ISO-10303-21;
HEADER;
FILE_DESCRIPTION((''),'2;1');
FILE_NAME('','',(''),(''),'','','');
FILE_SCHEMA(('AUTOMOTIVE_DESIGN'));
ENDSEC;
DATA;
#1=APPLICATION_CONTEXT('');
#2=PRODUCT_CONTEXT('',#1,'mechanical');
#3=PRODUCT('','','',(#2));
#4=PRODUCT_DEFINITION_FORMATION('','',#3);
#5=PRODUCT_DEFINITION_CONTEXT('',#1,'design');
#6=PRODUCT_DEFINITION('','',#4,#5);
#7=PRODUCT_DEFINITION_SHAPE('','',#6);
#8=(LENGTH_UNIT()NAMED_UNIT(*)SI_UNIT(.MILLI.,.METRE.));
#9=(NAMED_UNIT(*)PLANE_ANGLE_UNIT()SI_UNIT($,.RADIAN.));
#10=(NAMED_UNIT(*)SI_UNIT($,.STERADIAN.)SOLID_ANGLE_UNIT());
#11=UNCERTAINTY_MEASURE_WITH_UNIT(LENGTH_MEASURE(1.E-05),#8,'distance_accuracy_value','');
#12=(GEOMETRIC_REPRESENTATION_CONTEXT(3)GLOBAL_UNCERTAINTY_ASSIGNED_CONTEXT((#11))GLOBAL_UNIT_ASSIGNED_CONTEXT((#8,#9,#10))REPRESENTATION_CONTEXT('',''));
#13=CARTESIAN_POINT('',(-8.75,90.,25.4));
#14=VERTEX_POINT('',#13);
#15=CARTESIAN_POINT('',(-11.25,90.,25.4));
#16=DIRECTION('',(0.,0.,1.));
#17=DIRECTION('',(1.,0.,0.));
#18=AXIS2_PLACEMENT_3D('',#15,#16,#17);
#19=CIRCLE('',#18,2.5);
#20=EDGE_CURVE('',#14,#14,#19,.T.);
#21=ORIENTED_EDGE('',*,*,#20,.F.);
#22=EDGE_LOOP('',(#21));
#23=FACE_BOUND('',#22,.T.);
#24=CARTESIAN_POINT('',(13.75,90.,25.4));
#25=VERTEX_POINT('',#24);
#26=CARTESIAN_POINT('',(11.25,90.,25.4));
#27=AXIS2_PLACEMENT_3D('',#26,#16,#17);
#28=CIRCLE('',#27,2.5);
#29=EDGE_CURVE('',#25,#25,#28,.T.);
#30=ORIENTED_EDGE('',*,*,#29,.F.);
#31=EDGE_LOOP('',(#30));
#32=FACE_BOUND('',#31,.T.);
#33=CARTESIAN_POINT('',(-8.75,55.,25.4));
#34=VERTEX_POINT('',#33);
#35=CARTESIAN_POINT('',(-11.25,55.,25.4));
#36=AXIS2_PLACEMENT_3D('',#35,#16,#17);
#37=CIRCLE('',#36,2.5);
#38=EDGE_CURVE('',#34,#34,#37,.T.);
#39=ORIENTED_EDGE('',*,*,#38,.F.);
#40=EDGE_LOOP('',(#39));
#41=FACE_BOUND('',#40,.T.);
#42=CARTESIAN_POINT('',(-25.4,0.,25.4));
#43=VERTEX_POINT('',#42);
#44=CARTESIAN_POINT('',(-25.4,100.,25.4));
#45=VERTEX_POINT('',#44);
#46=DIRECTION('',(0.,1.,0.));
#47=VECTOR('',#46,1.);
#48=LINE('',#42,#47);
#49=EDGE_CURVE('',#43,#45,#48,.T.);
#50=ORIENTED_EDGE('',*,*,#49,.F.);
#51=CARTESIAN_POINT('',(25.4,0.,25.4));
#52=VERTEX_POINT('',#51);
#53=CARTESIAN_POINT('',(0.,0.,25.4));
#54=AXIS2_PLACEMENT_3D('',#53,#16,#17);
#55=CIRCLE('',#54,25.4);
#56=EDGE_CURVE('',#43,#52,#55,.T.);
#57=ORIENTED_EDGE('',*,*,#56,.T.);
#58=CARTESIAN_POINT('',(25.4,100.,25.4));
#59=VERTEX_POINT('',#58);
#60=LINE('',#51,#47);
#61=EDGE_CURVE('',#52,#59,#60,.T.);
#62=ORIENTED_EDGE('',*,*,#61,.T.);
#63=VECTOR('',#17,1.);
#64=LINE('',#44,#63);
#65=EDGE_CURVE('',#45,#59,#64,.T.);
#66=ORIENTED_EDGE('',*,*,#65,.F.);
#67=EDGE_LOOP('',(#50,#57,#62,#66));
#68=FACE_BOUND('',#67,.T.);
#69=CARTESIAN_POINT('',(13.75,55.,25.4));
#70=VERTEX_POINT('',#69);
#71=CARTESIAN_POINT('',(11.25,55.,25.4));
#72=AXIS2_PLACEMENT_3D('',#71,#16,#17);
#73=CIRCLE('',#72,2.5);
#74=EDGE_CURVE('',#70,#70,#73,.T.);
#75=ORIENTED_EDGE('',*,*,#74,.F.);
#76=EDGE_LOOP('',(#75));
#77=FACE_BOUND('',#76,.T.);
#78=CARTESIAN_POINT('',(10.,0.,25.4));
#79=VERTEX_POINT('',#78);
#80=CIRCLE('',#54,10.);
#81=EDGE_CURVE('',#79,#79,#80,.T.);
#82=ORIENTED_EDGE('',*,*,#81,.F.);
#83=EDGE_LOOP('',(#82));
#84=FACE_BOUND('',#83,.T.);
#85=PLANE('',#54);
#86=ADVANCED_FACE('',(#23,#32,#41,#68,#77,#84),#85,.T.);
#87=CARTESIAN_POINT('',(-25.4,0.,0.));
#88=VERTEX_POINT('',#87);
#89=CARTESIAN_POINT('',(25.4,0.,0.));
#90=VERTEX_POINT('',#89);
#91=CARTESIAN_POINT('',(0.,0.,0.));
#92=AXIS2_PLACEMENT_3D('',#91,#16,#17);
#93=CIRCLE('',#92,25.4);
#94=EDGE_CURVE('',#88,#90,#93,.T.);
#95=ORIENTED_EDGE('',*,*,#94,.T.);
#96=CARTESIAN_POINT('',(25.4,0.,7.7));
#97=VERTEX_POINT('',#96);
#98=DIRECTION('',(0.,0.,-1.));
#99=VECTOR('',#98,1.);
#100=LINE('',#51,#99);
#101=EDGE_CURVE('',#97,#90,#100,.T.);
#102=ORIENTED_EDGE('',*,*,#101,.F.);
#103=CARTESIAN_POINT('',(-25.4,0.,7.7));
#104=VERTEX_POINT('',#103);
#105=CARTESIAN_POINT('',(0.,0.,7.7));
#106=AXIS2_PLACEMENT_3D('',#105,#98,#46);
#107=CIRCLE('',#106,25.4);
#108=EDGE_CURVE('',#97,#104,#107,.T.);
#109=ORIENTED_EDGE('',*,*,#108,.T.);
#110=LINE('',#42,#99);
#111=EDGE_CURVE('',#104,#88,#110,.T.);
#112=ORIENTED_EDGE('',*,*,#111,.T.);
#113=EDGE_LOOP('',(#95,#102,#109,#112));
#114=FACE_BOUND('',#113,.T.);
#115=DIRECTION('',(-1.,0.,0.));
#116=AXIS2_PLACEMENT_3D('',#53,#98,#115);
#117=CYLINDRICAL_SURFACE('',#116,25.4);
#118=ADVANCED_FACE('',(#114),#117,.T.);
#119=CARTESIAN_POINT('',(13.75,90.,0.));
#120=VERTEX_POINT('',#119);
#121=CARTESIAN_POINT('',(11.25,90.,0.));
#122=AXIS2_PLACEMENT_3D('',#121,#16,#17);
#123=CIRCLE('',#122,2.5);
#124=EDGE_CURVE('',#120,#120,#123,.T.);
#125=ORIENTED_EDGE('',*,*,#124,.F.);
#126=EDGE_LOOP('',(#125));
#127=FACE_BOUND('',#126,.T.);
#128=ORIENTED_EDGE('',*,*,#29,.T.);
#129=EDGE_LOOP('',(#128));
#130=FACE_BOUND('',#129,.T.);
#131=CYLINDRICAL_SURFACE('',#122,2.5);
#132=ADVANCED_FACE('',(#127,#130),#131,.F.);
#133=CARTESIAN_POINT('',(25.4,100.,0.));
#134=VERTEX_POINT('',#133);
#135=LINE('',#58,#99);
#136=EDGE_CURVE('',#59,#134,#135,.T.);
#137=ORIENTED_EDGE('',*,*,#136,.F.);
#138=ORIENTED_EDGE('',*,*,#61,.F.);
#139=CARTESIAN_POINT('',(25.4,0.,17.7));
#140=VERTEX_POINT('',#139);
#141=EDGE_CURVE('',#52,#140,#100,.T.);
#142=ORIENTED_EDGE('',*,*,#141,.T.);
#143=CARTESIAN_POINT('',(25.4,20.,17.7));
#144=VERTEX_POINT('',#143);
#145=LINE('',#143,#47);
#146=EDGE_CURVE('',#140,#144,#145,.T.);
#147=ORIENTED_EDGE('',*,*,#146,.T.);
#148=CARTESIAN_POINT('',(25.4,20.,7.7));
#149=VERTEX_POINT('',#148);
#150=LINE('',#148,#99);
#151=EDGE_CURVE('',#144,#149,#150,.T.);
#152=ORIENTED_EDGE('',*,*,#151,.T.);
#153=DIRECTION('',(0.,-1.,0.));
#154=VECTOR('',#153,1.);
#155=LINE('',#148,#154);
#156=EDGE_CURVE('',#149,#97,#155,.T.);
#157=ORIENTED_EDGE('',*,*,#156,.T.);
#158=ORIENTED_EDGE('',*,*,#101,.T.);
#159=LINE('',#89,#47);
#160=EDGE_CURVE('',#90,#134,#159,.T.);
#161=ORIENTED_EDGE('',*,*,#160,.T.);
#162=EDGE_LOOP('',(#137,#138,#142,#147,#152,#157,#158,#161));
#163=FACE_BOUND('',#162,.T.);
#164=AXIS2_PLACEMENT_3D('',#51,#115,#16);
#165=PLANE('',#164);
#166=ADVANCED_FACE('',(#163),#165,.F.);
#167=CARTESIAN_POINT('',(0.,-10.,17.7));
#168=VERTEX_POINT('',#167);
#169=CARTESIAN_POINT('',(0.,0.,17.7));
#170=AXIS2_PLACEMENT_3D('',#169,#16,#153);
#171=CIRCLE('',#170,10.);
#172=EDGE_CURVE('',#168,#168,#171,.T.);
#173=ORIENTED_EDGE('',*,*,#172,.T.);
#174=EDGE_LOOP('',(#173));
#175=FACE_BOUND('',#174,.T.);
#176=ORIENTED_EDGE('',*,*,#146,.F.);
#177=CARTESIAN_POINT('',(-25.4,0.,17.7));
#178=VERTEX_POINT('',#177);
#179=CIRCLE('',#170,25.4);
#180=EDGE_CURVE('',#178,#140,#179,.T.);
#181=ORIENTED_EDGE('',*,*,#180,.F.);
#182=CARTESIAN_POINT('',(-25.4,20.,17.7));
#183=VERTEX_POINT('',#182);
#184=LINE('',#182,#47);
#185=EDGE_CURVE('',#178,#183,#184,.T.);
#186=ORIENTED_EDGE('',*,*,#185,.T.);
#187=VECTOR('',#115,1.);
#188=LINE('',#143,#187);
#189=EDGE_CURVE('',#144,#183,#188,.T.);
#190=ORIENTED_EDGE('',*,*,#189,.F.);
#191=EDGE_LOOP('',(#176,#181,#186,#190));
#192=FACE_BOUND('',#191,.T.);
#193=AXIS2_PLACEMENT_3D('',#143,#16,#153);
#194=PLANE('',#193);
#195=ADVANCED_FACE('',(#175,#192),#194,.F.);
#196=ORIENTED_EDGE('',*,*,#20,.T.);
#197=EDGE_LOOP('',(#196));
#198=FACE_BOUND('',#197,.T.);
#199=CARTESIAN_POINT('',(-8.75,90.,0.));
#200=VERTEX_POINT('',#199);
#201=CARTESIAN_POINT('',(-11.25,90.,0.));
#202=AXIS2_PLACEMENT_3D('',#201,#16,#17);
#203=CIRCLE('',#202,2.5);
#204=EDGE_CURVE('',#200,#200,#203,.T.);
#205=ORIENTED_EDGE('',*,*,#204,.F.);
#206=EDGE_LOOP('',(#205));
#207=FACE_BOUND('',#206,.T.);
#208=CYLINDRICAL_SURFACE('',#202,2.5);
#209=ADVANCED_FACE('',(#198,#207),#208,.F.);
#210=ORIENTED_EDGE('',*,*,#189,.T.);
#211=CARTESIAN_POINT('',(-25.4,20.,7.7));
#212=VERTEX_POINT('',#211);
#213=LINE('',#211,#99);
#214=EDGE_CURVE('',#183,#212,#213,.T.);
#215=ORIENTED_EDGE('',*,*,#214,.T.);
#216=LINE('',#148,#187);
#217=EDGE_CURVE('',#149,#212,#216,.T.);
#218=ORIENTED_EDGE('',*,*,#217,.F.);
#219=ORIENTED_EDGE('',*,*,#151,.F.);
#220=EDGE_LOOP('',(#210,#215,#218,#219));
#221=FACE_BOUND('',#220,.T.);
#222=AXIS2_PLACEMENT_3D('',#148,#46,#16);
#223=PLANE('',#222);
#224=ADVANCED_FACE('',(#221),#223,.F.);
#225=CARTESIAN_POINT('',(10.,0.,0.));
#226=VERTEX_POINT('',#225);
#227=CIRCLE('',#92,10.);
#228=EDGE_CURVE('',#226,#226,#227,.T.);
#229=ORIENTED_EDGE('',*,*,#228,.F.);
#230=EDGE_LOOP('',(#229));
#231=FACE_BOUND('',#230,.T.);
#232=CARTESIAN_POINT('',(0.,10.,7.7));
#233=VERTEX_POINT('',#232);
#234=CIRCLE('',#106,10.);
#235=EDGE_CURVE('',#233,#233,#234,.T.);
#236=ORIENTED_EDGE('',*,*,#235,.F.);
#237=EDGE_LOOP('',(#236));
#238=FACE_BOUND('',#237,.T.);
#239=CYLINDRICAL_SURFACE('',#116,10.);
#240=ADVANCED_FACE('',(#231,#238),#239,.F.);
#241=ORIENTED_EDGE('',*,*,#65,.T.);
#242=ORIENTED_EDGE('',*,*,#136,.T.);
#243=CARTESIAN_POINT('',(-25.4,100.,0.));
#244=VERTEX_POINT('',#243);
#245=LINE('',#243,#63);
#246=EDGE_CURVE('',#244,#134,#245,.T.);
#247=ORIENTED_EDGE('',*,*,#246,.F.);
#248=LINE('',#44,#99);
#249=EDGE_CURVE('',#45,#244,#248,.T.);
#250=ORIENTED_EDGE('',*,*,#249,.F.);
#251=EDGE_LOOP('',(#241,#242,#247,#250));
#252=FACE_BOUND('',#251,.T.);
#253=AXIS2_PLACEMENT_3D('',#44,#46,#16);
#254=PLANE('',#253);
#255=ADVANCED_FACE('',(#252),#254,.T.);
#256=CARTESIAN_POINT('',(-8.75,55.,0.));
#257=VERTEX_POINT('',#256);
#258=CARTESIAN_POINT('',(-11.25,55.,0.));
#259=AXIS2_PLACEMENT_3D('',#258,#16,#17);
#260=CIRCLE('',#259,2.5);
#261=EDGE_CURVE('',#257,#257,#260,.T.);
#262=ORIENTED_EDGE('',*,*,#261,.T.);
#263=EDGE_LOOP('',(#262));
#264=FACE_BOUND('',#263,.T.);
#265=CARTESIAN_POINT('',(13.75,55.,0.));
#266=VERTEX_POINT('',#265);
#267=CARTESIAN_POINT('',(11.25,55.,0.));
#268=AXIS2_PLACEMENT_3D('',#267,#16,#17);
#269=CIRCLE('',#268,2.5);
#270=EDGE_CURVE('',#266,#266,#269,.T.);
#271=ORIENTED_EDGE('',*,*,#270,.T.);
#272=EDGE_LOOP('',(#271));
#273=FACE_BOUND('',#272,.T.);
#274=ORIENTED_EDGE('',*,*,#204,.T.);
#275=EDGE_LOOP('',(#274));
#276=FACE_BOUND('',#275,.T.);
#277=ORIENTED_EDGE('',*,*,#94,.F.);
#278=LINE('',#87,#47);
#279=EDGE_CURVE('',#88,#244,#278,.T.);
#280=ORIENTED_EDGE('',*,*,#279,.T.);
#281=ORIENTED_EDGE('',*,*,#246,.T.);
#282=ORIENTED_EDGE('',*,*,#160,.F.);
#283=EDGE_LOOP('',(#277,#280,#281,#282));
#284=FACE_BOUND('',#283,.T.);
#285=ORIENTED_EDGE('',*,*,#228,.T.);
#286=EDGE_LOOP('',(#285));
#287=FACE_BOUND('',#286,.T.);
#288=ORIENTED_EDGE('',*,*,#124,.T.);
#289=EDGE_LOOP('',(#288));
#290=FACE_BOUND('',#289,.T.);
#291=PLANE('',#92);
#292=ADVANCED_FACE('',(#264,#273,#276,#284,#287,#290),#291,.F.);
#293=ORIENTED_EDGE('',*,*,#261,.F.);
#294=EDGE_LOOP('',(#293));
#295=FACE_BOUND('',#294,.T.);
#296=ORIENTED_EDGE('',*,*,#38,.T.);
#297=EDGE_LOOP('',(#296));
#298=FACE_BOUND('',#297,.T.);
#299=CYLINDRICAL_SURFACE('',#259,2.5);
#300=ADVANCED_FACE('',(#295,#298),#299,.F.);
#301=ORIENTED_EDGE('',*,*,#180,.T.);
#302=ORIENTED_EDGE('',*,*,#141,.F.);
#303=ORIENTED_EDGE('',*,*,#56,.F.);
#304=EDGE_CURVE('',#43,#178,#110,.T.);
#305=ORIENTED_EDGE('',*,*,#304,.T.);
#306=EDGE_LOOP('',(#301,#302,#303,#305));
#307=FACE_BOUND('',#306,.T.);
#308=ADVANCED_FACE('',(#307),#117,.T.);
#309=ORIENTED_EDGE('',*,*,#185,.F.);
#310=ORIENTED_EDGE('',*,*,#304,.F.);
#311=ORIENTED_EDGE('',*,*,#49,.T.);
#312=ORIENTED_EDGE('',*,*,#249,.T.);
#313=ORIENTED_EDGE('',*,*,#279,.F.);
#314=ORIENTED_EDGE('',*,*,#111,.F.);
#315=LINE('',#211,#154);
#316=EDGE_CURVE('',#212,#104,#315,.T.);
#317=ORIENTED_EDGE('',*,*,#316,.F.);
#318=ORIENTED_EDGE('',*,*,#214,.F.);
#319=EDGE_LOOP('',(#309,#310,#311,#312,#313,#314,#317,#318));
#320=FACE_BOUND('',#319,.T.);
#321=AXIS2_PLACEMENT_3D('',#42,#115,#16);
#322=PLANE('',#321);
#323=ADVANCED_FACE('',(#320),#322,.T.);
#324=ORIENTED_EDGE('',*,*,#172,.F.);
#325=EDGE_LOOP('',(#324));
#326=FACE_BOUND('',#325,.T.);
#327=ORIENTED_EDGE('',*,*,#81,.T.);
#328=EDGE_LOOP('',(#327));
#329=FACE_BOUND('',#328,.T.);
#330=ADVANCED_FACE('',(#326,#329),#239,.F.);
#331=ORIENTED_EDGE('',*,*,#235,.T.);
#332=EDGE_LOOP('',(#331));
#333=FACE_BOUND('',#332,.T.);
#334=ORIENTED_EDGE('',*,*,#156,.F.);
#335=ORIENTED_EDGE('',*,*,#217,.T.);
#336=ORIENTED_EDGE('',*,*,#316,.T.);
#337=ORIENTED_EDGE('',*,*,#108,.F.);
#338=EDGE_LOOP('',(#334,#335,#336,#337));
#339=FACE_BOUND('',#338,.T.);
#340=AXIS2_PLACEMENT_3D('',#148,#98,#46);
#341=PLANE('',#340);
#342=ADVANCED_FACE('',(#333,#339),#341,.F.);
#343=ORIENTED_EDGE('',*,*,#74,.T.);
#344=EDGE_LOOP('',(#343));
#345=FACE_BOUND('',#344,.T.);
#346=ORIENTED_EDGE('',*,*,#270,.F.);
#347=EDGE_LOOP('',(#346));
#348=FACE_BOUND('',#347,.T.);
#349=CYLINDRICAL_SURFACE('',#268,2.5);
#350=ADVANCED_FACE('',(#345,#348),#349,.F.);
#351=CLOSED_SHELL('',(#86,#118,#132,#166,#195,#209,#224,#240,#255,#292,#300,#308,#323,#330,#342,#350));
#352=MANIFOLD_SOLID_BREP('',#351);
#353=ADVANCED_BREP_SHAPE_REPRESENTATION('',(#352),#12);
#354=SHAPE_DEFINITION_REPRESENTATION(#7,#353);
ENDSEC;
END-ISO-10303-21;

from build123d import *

# Parameters (mm, degrees)
SKETCH1_R           = 10
BOSS_EXTRUDE1_DEPTH = 25.4
SKETCH2_W           = 10
SKETCH2_H           = 45.4
CUT_EXTRUDE1_DEPTH  = 116.003478208
SKETCH3_R           = 2.5
CUT_EXTRUDE2_DEPTH  = 107.255917482


with BuildPart() as part:
    # Sketch1 → Boss-Extrude1 (new body)
    with BuildSketch(Plane.XY):
        with BuildLine():
            Line((-25.4, 0), (-25.4, 100))
            Line((-25.4, 100), (25.4, 100))
            Line((25.4, 100), (25.4, 0))
            ThreePointArc((25.4, 0), (0, -25.4), (-25.4, 0))
        make_face()
        Circle(SKETCH1_R, mode=Mode.SUBTRACT)
    extrude(amount=BOSS_EXTRUDE1_DEPTH)

    # Sketch2 → Cut-Extrude1 (cut, through all)
    with BuildSketch(Plane.ZY.offset(25.4)):
        with Locations((12.7, -2.7)):
            Rectangle(SKETCH2_W, SKETCH2_H)
    extrude(amount=-CUT_EXTRUDE1_DEPTH, mode=Mode.SUBTRACT)

    # Sketch3 → Cut-Extrude2 (cut, through all)
    with BuildSketch(Plane.XY.offset(25.4)):
        with Locations((-11.25, 90)):
            Circle(SKETCH3_R)
        with Locations((11.25, 90)):
            Circle(SKETCH3_R)
        with Locations((11.25, 55)):
            Circle(SKETCH3_R)
        with Locations((-11.25, 55)):
            Circle(SKETCH3_R)
    extrude(amount=-CUT_EXTRUDE2_DEPTH, mode=Mode.SUBTRACT)


solid = part.part
